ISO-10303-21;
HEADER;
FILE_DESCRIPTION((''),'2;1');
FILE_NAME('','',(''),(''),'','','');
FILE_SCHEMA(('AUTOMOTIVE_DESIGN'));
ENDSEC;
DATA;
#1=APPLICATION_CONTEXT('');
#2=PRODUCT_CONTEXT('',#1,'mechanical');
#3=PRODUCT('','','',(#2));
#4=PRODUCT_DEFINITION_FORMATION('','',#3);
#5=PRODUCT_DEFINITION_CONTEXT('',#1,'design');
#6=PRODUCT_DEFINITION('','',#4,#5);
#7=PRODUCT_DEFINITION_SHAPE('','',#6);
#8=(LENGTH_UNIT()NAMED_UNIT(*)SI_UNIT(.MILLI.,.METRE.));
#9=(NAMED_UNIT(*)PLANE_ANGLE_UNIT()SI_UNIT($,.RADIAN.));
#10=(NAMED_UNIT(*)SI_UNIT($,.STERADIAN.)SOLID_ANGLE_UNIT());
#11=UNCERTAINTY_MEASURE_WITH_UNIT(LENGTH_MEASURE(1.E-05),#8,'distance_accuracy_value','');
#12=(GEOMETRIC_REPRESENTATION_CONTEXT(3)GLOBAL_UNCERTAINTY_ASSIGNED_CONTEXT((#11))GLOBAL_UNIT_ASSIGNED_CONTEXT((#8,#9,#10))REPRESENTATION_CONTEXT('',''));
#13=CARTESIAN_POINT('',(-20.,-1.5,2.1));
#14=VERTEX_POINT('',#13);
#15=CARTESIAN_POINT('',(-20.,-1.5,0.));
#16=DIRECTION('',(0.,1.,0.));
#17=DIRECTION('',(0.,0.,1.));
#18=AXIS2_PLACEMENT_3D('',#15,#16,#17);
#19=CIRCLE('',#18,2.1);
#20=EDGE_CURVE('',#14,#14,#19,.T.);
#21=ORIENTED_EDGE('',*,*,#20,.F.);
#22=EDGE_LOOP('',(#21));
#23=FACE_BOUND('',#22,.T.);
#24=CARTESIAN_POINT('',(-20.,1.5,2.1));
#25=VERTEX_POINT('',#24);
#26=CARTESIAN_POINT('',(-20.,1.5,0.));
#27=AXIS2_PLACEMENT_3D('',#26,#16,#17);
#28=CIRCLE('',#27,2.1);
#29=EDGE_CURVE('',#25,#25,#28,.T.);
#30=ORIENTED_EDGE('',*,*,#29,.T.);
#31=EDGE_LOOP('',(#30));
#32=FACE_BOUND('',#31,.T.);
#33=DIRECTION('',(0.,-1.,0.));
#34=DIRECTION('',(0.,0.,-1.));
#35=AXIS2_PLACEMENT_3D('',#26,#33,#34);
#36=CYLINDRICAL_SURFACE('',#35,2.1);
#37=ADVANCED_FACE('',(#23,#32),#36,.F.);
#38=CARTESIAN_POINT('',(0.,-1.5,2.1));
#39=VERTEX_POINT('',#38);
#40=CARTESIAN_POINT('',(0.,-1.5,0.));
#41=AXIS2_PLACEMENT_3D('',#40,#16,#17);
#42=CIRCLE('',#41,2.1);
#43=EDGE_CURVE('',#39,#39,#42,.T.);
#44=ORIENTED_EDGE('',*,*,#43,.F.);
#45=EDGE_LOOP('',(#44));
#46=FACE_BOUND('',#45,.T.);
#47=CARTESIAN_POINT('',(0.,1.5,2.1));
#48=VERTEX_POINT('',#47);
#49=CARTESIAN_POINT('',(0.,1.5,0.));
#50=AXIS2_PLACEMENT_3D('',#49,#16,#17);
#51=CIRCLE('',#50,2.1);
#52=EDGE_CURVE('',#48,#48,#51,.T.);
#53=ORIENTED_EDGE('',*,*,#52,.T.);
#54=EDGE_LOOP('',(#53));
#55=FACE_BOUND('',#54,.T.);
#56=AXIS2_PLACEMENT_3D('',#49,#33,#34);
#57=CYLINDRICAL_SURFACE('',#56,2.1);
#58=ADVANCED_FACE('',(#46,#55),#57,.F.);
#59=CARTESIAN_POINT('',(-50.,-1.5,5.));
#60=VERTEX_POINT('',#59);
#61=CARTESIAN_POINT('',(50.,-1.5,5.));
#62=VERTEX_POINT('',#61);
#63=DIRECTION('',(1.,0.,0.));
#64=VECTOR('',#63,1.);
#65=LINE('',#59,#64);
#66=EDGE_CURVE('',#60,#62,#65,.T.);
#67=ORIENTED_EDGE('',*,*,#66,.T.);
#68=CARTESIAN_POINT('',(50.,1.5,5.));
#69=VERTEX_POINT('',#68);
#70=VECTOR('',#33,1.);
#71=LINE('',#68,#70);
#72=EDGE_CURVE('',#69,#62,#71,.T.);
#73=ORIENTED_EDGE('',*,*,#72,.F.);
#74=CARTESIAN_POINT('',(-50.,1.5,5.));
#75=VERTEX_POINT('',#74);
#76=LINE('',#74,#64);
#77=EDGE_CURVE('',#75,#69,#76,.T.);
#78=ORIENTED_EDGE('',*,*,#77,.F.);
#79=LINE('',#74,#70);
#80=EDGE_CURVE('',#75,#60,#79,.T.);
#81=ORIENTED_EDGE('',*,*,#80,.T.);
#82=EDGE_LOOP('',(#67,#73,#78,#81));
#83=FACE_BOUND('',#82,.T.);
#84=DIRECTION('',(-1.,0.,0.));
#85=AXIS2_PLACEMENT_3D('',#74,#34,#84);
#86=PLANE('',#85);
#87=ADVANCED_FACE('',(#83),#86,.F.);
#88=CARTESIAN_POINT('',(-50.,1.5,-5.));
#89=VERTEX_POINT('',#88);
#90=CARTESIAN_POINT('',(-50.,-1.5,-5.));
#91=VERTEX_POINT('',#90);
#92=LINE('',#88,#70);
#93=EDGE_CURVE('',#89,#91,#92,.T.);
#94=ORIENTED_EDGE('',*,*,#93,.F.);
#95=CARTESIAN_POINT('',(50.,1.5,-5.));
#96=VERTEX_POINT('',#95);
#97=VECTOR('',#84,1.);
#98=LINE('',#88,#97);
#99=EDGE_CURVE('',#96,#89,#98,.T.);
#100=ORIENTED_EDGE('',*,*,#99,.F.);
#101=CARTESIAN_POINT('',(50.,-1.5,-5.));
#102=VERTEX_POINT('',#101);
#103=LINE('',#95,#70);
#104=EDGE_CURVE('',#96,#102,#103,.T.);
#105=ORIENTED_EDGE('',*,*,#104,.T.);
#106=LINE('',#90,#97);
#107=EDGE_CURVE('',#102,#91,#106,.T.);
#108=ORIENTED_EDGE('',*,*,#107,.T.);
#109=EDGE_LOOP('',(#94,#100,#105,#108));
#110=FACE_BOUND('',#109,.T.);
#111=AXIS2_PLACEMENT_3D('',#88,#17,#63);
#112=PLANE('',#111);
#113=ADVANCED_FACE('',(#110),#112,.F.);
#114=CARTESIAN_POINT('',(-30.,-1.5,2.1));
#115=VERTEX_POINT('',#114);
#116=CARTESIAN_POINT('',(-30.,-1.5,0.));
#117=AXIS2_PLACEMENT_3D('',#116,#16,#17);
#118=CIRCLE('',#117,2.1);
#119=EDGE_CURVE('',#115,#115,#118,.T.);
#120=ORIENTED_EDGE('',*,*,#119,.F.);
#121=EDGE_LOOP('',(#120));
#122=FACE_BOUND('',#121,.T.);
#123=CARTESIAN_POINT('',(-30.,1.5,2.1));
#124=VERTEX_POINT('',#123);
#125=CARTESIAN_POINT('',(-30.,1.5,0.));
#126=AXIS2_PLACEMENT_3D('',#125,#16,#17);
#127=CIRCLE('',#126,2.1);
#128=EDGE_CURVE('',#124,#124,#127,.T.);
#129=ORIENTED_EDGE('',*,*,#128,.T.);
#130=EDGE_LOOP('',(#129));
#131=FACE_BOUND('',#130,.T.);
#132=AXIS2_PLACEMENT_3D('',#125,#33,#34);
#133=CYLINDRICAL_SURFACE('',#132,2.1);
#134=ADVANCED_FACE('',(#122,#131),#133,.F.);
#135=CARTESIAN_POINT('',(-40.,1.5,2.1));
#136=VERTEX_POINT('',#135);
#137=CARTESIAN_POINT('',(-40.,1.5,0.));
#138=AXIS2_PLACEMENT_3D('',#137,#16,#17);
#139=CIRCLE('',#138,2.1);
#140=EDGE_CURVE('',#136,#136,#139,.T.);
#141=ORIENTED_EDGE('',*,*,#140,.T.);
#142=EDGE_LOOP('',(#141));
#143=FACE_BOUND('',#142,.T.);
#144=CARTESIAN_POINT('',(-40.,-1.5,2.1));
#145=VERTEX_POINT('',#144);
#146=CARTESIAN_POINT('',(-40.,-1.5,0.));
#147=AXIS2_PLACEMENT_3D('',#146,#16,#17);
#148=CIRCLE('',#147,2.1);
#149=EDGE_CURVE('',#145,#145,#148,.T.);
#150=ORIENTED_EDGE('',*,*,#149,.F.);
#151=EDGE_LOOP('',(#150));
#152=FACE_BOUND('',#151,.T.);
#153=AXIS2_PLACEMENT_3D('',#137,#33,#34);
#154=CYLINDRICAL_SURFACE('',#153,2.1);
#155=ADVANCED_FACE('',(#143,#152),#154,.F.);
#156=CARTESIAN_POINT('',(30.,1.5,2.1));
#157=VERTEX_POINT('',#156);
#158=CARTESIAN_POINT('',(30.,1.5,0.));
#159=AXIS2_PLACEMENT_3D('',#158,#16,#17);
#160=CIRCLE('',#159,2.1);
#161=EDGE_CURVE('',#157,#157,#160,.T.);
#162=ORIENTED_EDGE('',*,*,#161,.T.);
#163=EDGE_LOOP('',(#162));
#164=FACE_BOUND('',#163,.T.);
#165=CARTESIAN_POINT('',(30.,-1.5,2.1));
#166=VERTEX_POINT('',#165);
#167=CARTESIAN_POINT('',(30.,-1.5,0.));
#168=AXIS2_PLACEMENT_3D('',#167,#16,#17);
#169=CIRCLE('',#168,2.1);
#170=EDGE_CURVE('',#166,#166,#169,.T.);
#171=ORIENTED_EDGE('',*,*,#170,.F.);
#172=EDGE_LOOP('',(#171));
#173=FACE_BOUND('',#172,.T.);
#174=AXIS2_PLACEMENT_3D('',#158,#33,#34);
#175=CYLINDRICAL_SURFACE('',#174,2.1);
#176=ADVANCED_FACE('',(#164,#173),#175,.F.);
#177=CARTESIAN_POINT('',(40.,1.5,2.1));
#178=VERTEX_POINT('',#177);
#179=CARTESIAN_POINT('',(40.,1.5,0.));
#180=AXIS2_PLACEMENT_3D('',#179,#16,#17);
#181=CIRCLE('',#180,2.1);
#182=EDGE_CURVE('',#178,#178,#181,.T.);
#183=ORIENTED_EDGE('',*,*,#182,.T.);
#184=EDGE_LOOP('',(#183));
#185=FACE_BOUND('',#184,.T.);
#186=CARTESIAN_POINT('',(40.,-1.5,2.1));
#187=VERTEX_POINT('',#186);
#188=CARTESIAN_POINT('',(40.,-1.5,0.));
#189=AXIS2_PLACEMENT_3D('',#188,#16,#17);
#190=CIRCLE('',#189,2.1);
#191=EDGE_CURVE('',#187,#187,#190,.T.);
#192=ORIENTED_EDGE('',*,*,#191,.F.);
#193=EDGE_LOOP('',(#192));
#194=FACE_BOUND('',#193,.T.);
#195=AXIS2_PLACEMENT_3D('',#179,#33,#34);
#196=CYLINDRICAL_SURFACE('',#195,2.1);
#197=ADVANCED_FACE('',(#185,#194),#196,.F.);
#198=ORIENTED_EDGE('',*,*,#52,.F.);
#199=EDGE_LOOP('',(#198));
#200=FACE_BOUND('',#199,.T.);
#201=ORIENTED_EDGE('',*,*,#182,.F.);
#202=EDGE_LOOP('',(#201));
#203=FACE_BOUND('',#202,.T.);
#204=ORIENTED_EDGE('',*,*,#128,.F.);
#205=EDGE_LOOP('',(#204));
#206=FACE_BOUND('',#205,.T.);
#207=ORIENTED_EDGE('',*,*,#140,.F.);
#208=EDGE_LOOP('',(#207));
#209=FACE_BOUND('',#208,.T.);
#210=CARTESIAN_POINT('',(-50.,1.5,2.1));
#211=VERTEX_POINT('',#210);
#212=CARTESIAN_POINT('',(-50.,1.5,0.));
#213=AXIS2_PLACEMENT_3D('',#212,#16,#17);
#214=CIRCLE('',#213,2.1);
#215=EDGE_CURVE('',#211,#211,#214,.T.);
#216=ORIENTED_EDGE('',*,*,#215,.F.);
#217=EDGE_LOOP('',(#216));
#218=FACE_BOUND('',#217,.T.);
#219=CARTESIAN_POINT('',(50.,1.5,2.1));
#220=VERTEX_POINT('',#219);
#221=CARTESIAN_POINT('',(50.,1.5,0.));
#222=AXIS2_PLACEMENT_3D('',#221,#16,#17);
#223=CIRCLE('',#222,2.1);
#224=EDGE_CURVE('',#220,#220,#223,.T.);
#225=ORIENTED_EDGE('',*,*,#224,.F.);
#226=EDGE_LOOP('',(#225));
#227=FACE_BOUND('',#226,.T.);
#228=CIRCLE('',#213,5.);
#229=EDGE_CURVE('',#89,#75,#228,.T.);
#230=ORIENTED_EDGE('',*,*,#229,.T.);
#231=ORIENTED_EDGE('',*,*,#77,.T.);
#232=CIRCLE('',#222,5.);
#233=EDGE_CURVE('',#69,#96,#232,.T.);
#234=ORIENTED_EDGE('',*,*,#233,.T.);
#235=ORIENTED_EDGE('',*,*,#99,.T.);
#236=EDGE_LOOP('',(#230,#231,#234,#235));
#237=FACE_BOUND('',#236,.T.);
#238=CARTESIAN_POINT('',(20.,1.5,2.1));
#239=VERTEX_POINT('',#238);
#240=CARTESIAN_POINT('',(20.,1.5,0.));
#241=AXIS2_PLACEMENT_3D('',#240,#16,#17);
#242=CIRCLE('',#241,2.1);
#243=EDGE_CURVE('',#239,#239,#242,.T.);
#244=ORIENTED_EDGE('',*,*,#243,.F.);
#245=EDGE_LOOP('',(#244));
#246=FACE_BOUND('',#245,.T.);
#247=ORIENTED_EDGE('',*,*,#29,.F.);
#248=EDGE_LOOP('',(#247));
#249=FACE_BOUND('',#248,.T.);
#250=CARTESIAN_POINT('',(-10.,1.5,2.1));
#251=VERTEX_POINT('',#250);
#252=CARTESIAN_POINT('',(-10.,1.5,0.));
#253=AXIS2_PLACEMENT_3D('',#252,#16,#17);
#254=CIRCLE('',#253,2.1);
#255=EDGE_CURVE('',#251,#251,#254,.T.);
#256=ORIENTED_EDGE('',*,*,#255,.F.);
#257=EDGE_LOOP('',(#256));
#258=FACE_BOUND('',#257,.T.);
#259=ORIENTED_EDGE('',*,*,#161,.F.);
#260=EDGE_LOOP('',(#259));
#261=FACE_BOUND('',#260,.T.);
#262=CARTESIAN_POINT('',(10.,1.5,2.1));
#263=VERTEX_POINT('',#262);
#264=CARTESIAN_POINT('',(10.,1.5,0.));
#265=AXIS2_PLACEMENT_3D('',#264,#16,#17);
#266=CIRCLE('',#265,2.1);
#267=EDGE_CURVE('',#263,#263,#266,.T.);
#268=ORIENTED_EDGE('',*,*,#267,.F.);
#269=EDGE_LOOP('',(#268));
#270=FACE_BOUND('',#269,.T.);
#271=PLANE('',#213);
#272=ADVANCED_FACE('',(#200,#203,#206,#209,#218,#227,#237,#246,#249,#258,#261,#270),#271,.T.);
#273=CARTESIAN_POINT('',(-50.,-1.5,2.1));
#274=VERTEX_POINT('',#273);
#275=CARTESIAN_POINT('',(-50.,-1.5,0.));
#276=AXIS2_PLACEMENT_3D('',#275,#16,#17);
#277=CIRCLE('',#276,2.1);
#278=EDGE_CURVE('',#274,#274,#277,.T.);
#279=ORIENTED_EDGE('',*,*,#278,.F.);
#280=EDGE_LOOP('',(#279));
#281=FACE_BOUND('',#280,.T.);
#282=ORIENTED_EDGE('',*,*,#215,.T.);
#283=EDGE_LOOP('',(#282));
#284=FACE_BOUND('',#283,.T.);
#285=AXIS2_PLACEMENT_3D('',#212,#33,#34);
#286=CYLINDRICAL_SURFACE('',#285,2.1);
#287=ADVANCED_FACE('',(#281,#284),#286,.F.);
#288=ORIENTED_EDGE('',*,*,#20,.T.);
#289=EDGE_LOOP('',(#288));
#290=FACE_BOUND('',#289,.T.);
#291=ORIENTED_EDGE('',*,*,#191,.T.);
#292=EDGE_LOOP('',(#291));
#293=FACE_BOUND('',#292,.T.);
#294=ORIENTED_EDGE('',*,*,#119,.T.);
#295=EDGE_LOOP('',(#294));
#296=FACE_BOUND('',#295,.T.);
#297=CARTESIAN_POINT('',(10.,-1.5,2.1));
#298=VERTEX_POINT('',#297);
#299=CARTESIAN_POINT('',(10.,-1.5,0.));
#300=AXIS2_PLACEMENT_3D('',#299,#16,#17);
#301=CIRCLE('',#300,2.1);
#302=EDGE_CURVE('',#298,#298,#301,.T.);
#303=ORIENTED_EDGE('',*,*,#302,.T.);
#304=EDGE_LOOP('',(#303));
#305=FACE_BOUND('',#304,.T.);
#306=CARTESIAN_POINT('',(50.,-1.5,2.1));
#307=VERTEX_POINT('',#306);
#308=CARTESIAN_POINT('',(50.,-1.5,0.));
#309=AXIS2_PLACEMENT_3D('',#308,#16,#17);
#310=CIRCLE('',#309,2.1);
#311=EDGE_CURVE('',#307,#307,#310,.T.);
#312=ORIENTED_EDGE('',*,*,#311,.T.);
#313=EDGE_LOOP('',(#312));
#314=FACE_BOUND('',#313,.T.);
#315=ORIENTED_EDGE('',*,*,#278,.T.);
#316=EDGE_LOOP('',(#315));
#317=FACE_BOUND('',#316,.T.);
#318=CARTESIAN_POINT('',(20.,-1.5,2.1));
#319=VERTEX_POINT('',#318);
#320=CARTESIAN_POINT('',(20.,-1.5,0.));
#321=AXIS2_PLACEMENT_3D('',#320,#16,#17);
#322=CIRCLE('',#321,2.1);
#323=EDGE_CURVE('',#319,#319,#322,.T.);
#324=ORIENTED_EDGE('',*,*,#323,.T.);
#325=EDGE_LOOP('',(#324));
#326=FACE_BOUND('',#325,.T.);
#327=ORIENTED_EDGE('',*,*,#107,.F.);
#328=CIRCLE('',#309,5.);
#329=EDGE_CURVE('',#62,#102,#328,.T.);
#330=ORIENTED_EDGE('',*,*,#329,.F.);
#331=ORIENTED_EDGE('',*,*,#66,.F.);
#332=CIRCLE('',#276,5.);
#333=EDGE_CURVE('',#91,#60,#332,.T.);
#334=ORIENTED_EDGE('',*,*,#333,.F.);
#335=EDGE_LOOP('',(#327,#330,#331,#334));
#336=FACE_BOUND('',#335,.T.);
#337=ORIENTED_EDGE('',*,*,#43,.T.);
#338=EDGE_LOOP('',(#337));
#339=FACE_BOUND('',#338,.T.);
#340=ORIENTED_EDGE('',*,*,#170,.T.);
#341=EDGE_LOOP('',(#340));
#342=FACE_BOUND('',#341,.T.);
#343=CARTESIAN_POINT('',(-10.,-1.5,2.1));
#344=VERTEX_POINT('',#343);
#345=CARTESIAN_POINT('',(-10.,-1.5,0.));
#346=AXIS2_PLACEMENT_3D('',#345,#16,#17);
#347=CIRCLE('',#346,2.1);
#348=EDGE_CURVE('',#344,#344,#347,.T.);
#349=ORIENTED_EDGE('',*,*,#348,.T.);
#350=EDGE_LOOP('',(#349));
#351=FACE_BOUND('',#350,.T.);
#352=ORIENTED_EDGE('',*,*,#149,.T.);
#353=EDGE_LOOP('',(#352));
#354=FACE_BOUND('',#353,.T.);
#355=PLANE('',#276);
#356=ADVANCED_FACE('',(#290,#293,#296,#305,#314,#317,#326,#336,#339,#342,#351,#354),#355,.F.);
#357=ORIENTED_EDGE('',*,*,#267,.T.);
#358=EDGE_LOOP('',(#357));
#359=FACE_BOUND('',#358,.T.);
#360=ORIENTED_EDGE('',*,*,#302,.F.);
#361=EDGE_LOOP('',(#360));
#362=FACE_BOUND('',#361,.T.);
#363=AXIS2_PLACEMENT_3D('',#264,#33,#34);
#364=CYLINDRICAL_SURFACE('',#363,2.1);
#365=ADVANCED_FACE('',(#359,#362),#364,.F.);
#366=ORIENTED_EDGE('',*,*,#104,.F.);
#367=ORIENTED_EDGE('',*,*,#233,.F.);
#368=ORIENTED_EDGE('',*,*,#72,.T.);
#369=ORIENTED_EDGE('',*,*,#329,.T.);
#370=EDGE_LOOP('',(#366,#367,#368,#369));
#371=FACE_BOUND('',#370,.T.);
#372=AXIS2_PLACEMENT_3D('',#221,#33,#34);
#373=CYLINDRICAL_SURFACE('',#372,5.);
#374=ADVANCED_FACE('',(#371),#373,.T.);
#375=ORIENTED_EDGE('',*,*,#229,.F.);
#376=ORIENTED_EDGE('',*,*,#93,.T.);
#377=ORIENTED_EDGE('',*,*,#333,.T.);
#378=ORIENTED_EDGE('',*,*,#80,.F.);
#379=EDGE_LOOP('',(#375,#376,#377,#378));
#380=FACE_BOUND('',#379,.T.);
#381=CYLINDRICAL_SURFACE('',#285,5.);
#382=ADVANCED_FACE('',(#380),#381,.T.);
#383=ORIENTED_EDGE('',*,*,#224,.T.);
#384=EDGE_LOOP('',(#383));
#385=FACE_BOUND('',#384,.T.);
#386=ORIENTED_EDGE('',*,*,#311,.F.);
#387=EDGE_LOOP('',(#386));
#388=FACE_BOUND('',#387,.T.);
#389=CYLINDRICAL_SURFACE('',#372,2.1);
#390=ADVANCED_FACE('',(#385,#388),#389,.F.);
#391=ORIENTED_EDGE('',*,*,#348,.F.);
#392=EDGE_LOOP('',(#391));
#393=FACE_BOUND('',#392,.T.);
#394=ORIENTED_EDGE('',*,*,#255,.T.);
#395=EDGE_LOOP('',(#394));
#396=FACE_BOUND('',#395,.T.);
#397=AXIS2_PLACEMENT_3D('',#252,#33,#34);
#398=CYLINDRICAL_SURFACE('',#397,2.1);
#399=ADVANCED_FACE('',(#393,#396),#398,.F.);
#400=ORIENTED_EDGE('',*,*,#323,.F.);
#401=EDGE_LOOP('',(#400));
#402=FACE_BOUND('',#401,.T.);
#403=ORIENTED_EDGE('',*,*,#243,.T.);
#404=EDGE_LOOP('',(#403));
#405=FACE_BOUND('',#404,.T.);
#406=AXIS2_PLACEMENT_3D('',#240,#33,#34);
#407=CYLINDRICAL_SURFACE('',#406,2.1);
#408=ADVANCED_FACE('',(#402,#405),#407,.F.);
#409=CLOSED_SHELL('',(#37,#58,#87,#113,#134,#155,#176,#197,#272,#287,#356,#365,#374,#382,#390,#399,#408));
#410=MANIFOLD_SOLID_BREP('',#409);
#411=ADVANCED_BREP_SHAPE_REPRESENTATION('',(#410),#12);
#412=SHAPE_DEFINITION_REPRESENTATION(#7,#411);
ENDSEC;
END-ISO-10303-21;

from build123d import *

# Parameters (mm, degrees)
SKETCH1_R           = 2.1
BOSS_EXTRUDE1_DEPTH = 1.5


with BuildPart() as part:
    # Sketch1 → Boss-Extrude1 (new, symmetric)
    with BuildSketch(Plane(origin=(0, 0, 0), x_dir=(1, 0, 0), z_dir=(0, 1, 0))):
        with BuildLine():
            Line((-50, 5), (50, 5))
            ThreePointArc((50, 5), (55, 0), (50, -5))
            Line((50, -5), (-50, -5))
            ThreePointArc((-50, -5), (-55, 0), (-50, 5))
        make_face()
        with Locations(Location((50, 0, 0), (0, 0, 270))):
            Circle(SKETCH1_R, mode=Mode.SUBTRACT)
        with Locations(Location((40, 0, 0), (0, 0, 270))):
            Circle(SKETCH1_R, mode=Mode.SUBTRACT)
        with Locations(Location((30, 0, 0), (0, 0, 270))):
            Circle(SKETCH1_R, mode=Mode.SUBTRACT)
        with Locations(Location((20, 0, 0), (0, 0, 270))):
            Circle(SKETCH1_R, mode=Mode.SUBTRACT)
        with Locations(Location((10, 0, 0), (0, 0, 270))):
            Circle(SKETCH1_R, mode=Mode.SUBTRACT)
        with Locations(Location((0, 0, 0), (0, 0, 270))):
            Circle(SKETCH1_R, mode=Mode.SUBTRACT)
        with Locations(Location((-10, 0, 0), (0, 0, 270))):
            Circle(SKETCH1_R, mode=Mode.SUBTRACT)
        with Locations(Location((-20, 0, 0), (0, 0, 270))):
            Circle(SKETCH1_R, mode=Mode.SUBTRACT)
        with Locations(Location((-30, 0, 0), (0, 0, 270))):
            Circle(SKETCH1_R, mode=Mode.SUBTRACT)
        with Locations(Location((-40, 0, 0), (0, 0, 270))):
            Circle(SKETCH1_R, mode=Mode.SUBTRACT)
        with Locations(Location((-50, 0, 0), (0, 0, 270))):
            Circle(SKETCH1_R, mode=Mode.SUBTRACT)
    extrude(amount=BOSS_EXTRUDE1_DEPTH, both=True)


solid = part.part
